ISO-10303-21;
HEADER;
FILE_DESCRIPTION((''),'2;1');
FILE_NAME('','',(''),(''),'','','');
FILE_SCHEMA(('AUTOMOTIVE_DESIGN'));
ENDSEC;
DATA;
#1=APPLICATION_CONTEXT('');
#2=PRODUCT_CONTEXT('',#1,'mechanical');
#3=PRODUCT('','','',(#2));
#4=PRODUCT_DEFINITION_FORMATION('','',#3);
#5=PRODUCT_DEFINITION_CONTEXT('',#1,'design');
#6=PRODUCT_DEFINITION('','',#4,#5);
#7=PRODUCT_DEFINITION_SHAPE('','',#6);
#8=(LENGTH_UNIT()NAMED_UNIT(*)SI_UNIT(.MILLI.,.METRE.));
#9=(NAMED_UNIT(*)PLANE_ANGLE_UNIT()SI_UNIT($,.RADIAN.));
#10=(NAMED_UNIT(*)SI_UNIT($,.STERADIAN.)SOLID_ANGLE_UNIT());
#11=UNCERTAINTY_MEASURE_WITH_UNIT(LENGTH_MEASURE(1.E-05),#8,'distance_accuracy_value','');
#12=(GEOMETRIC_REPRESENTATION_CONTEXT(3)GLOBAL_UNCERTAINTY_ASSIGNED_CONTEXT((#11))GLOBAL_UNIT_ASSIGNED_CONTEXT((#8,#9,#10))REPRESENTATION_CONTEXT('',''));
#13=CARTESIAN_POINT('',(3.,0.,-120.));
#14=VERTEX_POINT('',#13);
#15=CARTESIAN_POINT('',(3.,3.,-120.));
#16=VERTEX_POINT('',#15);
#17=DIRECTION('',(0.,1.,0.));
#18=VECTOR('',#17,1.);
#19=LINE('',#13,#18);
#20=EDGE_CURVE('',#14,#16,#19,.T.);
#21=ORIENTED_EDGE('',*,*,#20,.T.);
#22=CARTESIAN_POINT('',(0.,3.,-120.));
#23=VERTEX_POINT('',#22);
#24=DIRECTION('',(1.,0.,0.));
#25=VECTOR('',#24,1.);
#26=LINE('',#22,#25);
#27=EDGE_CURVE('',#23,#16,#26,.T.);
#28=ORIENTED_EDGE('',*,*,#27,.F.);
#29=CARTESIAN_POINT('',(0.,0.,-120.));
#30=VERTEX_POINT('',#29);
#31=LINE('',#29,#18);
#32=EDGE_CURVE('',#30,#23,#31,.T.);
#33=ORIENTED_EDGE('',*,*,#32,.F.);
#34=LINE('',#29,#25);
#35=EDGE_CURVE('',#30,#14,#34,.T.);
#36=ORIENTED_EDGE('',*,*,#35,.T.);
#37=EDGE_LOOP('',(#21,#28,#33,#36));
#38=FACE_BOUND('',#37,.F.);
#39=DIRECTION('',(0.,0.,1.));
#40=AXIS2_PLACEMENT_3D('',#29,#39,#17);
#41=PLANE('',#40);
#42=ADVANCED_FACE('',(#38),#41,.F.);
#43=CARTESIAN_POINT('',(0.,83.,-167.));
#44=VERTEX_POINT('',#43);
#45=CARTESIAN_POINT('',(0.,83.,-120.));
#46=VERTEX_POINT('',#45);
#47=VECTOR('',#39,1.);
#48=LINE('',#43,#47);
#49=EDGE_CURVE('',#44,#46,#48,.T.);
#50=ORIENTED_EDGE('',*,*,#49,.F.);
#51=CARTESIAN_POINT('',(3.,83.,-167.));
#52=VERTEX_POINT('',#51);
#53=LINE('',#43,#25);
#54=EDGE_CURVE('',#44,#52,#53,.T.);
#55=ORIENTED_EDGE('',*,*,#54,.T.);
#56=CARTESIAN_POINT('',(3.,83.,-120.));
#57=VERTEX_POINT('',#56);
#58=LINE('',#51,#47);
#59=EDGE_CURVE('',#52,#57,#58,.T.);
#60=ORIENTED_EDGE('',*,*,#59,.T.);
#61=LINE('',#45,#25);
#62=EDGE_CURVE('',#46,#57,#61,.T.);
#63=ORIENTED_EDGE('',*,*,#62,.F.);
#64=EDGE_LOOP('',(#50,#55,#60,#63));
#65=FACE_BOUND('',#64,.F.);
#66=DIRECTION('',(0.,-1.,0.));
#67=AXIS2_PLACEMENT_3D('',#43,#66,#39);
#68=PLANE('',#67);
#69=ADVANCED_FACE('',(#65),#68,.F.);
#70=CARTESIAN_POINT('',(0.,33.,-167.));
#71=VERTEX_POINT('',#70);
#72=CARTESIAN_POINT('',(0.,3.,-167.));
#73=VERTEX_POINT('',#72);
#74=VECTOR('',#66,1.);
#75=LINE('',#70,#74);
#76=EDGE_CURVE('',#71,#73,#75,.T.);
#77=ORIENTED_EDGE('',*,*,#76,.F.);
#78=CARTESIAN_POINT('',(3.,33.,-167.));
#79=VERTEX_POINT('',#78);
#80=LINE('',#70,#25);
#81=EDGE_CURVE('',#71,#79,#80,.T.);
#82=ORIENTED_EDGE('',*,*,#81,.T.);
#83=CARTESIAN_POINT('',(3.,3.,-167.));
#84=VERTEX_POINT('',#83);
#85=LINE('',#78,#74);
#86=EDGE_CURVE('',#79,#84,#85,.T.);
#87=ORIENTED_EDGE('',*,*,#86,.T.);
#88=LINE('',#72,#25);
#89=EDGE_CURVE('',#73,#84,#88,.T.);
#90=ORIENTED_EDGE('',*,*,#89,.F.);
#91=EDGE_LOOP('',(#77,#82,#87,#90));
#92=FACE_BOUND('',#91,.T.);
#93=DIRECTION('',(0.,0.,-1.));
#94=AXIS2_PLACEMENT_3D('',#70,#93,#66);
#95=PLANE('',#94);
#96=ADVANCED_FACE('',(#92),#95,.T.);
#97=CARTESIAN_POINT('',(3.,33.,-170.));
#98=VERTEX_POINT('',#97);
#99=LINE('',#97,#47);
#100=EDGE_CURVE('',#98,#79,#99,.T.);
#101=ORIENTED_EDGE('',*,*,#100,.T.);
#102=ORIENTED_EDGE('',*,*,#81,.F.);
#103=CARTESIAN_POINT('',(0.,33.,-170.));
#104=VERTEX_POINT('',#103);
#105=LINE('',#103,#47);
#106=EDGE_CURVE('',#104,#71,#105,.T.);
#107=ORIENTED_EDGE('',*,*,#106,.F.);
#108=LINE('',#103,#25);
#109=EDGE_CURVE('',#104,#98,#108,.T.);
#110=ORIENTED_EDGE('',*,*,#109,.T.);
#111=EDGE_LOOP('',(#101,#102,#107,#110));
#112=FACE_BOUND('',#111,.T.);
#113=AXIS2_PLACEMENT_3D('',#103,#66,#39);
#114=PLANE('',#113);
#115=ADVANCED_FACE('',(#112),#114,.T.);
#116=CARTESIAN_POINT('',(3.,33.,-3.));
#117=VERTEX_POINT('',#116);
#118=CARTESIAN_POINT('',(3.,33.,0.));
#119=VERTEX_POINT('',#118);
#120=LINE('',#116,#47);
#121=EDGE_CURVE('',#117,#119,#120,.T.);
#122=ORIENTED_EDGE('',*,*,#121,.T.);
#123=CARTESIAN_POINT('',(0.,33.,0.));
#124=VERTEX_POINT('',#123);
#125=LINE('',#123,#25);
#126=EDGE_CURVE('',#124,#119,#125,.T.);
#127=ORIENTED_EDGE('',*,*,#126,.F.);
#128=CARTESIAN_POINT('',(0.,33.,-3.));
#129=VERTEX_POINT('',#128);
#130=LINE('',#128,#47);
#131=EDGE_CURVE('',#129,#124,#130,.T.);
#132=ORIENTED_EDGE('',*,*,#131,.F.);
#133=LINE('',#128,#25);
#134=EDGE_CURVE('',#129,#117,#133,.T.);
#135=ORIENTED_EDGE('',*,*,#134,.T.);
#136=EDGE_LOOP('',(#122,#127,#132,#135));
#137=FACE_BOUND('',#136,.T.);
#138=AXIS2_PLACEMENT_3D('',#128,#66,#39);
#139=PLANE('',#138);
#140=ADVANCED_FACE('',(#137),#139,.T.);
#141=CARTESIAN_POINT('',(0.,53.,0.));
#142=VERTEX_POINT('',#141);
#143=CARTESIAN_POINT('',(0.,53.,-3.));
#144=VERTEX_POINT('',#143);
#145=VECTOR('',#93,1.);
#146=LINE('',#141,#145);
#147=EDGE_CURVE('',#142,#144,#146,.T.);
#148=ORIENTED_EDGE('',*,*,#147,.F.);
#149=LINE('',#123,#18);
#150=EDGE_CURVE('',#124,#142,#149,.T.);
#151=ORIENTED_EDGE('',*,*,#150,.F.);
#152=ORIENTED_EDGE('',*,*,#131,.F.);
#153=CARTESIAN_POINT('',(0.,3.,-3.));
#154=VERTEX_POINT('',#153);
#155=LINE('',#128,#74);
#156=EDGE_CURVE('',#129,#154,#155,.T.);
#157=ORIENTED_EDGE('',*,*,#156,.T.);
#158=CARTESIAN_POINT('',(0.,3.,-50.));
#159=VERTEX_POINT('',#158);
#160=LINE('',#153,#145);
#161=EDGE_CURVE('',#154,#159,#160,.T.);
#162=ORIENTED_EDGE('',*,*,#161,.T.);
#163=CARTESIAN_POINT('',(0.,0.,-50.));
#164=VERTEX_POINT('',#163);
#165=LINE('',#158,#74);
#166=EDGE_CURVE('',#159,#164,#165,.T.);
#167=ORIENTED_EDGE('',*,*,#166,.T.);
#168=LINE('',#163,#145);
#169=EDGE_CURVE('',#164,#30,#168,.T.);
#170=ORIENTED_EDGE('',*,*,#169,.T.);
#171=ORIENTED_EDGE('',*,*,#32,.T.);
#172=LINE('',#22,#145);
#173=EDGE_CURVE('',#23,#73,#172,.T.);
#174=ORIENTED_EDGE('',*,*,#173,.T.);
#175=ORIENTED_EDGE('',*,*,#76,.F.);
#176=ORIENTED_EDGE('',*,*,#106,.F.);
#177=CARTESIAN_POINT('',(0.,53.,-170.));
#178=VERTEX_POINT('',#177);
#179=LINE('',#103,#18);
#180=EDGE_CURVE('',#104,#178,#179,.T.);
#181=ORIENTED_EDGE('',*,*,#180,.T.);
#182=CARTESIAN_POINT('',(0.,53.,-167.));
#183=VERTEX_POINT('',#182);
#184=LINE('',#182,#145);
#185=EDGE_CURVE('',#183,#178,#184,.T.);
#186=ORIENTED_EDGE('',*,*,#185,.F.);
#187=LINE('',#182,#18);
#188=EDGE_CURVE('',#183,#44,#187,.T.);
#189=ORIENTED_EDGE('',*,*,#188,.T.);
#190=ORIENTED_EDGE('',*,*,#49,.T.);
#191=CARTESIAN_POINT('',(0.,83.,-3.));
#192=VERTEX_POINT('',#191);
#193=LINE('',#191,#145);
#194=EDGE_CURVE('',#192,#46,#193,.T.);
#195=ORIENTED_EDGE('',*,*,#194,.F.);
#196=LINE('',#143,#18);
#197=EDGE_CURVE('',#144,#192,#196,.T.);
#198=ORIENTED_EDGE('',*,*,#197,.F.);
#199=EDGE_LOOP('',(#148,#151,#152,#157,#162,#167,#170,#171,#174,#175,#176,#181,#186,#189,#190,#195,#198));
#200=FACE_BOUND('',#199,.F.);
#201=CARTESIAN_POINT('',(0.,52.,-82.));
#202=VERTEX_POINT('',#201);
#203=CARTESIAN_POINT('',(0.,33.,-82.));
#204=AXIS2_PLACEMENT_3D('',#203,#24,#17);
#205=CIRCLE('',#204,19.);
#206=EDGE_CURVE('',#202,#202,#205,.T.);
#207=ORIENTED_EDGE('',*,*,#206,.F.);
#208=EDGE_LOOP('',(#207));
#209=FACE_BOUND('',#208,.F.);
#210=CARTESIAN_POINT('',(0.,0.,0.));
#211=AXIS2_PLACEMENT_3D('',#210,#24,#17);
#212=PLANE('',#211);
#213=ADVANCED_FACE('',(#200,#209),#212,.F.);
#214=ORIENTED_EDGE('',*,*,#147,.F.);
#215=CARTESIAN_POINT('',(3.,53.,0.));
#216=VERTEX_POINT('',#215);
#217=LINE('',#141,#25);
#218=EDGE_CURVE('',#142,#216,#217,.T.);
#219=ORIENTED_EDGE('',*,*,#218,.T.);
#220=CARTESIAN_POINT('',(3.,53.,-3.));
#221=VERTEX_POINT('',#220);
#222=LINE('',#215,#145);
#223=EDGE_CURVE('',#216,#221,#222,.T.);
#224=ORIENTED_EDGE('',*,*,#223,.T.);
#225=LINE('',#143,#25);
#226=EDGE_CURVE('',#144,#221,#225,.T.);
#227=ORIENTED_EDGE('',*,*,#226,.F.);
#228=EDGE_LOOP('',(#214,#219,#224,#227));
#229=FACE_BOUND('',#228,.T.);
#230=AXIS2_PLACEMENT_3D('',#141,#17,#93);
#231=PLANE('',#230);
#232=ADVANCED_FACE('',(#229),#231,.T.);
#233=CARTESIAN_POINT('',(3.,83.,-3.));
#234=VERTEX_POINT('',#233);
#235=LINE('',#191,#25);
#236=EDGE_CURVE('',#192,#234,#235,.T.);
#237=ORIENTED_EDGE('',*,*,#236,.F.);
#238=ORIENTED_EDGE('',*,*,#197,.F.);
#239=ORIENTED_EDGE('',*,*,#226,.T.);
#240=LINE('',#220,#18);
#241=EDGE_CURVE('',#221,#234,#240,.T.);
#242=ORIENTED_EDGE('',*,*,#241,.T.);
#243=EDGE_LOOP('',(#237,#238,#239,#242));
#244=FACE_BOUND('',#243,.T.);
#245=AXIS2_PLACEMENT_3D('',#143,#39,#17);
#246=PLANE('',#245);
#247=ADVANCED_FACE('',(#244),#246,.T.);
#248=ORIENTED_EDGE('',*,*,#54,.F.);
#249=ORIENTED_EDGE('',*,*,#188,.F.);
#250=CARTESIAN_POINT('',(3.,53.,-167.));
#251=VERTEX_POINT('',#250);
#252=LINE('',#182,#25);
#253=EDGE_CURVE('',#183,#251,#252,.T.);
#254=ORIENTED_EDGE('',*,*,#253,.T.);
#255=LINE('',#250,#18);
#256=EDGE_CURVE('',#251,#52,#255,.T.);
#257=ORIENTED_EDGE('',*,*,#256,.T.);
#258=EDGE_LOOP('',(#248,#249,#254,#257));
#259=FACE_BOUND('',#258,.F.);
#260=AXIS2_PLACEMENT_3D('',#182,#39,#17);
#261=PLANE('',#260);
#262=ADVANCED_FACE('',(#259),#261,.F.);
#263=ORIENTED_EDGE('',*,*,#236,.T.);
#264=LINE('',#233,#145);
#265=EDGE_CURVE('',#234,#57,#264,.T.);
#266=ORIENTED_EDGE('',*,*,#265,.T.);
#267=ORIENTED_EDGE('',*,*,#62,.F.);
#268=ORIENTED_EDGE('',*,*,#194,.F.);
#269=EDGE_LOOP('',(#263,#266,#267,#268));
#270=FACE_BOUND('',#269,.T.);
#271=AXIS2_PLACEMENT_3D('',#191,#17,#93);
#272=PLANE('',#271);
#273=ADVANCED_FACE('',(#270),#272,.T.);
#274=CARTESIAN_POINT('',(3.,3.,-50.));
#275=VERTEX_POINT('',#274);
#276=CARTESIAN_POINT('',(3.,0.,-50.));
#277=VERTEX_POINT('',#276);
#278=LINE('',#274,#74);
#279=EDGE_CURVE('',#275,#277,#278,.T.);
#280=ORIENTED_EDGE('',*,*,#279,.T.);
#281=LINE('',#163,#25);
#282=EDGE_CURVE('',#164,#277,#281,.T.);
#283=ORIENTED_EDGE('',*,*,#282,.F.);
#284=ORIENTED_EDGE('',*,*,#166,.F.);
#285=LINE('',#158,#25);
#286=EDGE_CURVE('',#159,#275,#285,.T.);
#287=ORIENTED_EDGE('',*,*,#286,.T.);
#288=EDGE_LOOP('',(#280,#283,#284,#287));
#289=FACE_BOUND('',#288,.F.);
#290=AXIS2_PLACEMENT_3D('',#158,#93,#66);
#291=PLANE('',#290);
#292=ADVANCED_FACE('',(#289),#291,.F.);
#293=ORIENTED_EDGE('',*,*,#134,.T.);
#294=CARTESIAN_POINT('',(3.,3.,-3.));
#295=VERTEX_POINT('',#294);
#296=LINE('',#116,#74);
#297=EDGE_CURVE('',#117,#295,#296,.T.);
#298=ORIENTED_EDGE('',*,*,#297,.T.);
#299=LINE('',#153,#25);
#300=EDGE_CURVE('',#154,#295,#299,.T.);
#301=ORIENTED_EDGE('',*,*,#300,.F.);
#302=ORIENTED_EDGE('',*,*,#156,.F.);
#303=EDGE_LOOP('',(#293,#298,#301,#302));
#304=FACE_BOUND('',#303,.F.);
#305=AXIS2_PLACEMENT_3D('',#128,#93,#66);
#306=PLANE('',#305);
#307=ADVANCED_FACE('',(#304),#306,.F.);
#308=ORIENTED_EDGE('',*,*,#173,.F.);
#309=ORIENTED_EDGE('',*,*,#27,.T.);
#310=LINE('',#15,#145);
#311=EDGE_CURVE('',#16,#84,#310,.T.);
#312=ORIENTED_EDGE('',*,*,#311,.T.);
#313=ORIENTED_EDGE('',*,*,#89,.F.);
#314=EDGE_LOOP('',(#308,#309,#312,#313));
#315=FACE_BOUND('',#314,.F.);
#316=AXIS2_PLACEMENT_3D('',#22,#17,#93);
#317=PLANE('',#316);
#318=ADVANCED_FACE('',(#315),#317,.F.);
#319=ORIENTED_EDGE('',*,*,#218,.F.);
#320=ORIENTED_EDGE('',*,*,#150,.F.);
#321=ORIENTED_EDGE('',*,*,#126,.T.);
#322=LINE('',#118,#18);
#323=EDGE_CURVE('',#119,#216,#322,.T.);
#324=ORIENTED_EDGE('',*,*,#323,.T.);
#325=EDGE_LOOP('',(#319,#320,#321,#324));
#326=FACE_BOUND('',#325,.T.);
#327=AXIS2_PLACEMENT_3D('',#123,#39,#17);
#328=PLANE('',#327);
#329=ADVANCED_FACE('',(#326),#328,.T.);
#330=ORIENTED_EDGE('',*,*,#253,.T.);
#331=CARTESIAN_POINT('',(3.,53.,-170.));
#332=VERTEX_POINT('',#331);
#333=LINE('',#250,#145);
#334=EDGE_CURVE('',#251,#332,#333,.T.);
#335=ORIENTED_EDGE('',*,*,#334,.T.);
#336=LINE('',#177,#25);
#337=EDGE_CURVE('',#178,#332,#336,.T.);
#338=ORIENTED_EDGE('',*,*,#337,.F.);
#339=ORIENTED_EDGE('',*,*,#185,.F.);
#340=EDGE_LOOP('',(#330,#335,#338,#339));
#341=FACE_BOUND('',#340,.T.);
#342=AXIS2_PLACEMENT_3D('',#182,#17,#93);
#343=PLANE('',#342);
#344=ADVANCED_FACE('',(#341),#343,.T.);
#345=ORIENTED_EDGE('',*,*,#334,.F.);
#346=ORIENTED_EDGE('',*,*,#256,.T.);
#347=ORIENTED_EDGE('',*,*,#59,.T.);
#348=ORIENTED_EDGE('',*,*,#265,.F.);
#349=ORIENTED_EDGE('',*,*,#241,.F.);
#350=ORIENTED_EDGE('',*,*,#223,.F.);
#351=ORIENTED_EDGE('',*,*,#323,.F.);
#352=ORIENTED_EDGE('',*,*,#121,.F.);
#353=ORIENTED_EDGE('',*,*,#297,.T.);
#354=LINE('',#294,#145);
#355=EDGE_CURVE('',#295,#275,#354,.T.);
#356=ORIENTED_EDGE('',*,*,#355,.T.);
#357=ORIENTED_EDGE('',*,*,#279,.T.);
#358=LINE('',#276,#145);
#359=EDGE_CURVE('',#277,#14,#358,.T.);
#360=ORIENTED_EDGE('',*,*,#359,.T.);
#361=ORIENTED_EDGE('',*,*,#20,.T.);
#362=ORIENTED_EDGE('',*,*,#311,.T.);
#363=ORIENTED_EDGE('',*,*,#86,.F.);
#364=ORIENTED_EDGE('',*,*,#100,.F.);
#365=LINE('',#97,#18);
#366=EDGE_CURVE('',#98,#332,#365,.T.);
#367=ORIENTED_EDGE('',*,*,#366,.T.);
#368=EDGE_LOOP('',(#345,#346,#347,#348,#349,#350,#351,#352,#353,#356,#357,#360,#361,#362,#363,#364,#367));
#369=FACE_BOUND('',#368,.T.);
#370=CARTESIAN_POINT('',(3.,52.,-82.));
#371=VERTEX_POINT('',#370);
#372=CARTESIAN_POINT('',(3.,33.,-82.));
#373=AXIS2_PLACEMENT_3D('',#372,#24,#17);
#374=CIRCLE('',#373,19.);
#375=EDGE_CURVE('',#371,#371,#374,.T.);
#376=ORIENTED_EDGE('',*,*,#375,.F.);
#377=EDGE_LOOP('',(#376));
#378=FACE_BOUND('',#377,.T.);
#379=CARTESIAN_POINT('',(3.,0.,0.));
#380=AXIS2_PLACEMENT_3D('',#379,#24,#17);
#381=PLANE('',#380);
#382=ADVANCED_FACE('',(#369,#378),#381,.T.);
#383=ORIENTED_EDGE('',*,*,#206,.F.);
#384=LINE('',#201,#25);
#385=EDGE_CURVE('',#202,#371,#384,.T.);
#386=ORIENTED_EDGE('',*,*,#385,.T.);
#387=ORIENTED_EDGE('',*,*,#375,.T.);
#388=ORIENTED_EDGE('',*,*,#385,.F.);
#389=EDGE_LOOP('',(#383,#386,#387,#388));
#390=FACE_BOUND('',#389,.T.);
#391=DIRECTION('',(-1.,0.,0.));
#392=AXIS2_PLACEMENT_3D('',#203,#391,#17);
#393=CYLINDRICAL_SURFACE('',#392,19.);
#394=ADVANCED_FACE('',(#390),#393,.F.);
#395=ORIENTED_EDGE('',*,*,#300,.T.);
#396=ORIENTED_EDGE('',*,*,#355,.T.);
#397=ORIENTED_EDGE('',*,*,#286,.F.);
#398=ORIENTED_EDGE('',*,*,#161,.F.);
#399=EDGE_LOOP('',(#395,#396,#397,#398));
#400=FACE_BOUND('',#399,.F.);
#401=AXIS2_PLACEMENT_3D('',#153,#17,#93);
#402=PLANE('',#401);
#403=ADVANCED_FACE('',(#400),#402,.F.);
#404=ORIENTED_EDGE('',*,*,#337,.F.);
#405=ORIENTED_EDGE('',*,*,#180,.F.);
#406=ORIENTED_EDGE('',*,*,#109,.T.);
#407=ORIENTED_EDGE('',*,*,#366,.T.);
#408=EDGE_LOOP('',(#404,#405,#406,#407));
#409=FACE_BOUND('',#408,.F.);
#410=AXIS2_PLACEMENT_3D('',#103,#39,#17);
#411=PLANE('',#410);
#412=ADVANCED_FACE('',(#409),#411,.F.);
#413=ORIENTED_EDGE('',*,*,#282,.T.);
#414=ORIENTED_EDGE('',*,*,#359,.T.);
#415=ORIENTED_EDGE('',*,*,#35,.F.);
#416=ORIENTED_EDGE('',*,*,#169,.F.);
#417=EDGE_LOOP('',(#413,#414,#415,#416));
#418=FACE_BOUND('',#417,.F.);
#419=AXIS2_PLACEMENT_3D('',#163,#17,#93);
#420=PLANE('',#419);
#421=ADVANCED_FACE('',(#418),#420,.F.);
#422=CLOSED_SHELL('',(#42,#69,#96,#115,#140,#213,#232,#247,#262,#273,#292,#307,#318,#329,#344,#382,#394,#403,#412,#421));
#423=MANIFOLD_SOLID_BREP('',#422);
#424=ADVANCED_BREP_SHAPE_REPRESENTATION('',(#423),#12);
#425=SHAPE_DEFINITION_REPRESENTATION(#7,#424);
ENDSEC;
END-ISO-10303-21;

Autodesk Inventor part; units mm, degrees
ref_plane "YZ Plane" through (0, 0, 0) normal (1, 0, 0) x (0, 1, 0)
ref_plane "XZ Plane" through (0, 0, 0) normal (0, 1, 0) x (-1, 0, 0)
ref_plane "XY Plane" through (0, 0, 0) normal (0, 0, 1) x (1, 0, 0)
sketch "Sketch2" plane through (0, 0, 0) normal (1, 0, 0) x (0, 1, 0)
  line L0 (0, 0) -> (3, 0) construction
  line L1 (3, 0) -> (3, -3)
  line L2 (3, -3) -> (3, -50)
  line L3 (3, -50) -> (0, -50)
  line L4 (0, -50) -> (0, -120)
  line L5 (0, -120) -> (3, -120)
  line L6 (3, -120) -> (3, -170)
  line L7 (33, -170) -> (33, -167)
  line L8 (53, -167) -> (53, -170)
  line L9 (53, 0) -> (53, -3)
  line L10 (33, -3) -> (33, 0)
  line L11 (0, 0) -> (0, -63) construction
  line L12 (0, -63) -> (14, -63) construction
  line L13 (14, -63) -> (14, -82) construction
  line L14 (14, -82) -> (33, -82) construction
  circle A0 centre (33, -82) radius 19
  line L15 (33, -167) -> (3, -167)
  line L16 (53, -167) -> (83, -167)
  line L17 (83, -167) -> (83, -120)
  line L18 (33, -170) -> (53, -170)
  line L19 (53, -3) -> (83, -3)
  line L20 (33, -3) -> (3, -3)
  line L21 (33, 0) -> (53, 0)
  line L22 (83, -3) -> (83, -120)
  dimension "d0" = 3
  dimension "d1" = 3
  dimension "d2" = 47
  dimension "d3" = 70
  dimension "d4" = 50
  dimension "d5" = 30
  dimension "d6" = 3
  dimension "d7" = 20
  dimension "d11" = 3
  dimension "d12" = 20
  dimension "d15" = 63
  dimension "d16" = 14
  dimension "d19" = 19
  dimension "d20" = 19
  dimension "d21" = 30
  dimension "d22" = 170
extrude "Extrusion1" add sketch "Sketch2" along normal blind 3
properties part number "Kanan Kipas"
